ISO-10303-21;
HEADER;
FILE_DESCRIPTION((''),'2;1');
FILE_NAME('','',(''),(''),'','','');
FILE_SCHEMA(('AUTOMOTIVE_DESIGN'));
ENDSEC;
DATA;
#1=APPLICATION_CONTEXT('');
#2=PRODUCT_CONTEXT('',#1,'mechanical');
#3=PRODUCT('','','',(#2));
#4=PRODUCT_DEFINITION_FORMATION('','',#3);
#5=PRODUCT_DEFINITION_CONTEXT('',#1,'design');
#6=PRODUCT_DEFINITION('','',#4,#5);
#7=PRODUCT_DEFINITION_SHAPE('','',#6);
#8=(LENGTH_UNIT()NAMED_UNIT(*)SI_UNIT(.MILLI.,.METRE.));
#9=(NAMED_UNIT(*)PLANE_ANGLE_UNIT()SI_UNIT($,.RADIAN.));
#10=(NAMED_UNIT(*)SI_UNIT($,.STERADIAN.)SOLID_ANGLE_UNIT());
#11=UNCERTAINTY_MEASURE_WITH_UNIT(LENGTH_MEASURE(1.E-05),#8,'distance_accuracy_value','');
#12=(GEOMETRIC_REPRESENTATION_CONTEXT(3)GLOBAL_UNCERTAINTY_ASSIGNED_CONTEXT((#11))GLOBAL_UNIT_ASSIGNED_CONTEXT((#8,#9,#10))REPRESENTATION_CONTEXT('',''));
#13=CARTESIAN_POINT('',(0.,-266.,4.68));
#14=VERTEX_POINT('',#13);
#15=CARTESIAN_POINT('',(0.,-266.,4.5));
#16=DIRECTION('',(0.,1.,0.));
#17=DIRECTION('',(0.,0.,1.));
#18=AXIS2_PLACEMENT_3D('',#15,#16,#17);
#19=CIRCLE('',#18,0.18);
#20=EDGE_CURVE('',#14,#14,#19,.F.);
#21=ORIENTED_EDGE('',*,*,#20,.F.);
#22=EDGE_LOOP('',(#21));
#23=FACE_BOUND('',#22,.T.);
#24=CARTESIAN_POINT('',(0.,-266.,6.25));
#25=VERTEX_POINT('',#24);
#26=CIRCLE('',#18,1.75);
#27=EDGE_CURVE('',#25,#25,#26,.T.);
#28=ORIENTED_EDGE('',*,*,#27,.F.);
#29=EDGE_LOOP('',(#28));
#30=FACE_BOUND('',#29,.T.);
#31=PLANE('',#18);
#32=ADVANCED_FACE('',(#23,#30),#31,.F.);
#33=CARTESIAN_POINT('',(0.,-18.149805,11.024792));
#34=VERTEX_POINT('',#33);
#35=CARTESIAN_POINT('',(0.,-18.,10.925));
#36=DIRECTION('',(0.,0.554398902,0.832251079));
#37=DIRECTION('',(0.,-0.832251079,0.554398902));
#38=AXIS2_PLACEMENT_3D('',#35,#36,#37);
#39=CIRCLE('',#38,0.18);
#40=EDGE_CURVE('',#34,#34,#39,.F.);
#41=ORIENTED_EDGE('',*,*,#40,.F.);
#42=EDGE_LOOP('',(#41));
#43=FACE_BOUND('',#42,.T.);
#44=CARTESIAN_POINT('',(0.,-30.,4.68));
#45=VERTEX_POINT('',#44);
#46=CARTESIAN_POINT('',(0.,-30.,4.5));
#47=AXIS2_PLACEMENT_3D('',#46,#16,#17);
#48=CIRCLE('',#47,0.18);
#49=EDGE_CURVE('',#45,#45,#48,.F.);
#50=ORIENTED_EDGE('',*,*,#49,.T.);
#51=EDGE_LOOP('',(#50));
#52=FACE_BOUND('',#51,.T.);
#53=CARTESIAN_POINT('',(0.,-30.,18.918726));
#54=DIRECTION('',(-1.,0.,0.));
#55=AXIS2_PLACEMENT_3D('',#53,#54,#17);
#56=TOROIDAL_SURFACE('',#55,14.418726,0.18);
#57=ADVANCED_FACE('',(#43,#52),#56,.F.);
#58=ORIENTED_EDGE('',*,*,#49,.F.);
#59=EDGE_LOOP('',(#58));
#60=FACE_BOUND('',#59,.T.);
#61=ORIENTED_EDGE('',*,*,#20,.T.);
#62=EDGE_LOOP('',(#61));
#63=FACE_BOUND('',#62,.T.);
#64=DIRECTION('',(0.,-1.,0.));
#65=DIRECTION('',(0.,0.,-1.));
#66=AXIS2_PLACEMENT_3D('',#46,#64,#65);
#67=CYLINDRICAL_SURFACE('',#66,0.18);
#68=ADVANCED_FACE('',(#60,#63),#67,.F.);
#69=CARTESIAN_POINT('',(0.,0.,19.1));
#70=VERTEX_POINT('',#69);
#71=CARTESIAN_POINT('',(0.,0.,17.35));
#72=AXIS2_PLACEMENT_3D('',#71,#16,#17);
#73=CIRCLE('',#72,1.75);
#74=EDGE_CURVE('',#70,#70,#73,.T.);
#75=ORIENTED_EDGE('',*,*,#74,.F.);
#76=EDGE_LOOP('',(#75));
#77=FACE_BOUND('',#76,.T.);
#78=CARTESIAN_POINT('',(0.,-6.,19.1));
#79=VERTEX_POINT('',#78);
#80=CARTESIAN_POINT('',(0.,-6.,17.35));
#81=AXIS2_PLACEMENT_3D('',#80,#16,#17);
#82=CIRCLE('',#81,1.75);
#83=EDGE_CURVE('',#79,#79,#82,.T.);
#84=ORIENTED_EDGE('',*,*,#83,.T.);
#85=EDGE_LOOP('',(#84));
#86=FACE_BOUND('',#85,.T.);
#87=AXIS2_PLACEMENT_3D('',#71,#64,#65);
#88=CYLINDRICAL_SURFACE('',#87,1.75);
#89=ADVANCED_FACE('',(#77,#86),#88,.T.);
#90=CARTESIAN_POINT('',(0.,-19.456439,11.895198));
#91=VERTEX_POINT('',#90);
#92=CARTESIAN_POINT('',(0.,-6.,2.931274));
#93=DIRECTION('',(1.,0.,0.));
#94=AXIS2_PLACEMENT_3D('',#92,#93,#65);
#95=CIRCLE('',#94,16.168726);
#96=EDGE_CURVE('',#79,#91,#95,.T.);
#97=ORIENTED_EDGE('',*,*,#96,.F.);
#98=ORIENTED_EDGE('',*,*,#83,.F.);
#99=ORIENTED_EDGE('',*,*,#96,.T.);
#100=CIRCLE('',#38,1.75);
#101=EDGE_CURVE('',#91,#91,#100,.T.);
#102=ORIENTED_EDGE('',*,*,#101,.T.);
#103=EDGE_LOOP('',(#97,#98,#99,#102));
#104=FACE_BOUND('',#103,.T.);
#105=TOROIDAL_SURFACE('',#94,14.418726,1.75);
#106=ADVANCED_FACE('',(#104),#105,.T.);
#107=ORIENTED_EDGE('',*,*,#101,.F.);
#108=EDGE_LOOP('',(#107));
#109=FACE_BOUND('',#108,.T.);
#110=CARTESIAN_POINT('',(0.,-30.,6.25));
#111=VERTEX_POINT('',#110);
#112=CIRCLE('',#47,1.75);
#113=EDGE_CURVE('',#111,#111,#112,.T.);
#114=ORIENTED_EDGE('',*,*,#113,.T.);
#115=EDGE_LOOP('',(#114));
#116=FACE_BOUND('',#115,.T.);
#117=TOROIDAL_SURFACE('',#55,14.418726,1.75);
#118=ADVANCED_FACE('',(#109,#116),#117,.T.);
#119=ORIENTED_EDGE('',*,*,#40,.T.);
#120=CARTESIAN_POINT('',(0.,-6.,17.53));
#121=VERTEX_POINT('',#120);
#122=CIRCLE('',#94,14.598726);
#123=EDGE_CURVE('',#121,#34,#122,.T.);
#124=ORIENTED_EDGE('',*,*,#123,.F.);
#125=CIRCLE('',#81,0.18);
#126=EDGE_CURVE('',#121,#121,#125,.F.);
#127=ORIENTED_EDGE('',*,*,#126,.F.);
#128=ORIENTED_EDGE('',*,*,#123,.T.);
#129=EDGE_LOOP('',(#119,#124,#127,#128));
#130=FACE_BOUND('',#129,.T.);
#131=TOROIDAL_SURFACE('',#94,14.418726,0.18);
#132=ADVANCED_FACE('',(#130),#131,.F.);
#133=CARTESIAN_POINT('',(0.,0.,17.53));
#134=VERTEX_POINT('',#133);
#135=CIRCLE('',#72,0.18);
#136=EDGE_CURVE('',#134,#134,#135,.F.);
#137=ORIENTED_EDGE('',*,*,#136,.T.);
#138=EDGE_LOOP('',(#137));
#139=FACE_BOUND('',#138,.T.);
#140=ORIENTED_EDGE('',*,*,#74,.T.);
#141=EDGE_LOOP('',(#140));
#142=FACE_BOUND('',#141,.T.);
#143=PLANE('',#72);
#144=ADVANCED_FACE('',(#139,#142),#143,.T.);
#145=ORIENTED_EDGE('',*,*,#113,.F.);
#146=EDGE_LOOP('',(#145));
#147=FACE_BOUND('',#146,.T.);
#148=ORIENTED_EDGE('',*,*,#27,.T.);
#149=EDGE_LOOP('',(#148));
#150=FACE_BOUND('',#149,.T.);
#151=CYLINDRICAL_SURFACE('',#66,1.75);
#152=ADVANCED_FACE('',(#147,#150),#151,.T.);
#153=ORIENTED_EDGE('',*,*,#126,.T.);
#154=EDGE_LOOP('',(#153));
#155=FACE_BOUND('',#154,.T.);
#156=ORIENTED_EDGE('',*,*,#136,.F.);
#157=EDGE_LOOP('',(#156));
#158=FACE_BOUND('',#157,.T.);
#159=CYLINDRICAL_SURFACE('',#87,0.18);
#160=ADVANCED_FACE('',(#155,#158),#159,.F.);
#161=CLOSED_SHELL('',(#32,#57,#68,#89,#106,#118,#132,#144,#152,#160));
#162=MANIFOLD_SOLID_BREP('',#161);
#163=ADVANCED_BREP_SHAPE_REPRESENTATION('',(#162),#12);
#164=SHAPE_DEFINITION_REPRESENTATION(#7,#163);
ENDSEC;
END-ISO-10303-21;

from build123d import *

# Parameters (mm, degrees)
UTILITY_CIRCULAR_CROSS_SECTION_R   = 1.75
UTILITY_CIRCULAR_CROSS_SECTION_R_2 = 0.18


with BuildPart() as part:
    # Native hollow utility sweep: sweep along a path in Illustrative smooth utility route
    with BuildLine(Plane(origin=(0, 0, 0), x_dir=(0, 0, -1), z_dir=(1, 0, 0))) as native_hollow_utility_sweep_path:
        Line((-17.35, 0), (-17.35, -6))
        ThreePointArc((-17.35, -6), (-15.642666611, -12.80589129), (-10.925, -18))
        ThreePointArc((-10.925, -18), (-6.207333389, -23.19410871), (-4.5, -30))
        Line((-4.5, -30), (-4.5, -266))
    # Utility circular cross section → Native hollow utility sweep (sweep)
    with BuildSketch(Plane(origin=(0, 0, 0), x_dir=(1, 0, 0), z_dir=(0, 1, 0))):
        with Locations((0, -17.35)):
            Circle(UTILITY_CIRCULAR_CROSS_SECTION_R)
        with Locations((0, -17.35)):
            Circle(UTILITY_CIRCULAR_CROSS_SECTION_R_2, mode=Mode.SUBTRACT)
    sweep(path=native_hollow_utility_sweep_path.line)


solid = part.part
